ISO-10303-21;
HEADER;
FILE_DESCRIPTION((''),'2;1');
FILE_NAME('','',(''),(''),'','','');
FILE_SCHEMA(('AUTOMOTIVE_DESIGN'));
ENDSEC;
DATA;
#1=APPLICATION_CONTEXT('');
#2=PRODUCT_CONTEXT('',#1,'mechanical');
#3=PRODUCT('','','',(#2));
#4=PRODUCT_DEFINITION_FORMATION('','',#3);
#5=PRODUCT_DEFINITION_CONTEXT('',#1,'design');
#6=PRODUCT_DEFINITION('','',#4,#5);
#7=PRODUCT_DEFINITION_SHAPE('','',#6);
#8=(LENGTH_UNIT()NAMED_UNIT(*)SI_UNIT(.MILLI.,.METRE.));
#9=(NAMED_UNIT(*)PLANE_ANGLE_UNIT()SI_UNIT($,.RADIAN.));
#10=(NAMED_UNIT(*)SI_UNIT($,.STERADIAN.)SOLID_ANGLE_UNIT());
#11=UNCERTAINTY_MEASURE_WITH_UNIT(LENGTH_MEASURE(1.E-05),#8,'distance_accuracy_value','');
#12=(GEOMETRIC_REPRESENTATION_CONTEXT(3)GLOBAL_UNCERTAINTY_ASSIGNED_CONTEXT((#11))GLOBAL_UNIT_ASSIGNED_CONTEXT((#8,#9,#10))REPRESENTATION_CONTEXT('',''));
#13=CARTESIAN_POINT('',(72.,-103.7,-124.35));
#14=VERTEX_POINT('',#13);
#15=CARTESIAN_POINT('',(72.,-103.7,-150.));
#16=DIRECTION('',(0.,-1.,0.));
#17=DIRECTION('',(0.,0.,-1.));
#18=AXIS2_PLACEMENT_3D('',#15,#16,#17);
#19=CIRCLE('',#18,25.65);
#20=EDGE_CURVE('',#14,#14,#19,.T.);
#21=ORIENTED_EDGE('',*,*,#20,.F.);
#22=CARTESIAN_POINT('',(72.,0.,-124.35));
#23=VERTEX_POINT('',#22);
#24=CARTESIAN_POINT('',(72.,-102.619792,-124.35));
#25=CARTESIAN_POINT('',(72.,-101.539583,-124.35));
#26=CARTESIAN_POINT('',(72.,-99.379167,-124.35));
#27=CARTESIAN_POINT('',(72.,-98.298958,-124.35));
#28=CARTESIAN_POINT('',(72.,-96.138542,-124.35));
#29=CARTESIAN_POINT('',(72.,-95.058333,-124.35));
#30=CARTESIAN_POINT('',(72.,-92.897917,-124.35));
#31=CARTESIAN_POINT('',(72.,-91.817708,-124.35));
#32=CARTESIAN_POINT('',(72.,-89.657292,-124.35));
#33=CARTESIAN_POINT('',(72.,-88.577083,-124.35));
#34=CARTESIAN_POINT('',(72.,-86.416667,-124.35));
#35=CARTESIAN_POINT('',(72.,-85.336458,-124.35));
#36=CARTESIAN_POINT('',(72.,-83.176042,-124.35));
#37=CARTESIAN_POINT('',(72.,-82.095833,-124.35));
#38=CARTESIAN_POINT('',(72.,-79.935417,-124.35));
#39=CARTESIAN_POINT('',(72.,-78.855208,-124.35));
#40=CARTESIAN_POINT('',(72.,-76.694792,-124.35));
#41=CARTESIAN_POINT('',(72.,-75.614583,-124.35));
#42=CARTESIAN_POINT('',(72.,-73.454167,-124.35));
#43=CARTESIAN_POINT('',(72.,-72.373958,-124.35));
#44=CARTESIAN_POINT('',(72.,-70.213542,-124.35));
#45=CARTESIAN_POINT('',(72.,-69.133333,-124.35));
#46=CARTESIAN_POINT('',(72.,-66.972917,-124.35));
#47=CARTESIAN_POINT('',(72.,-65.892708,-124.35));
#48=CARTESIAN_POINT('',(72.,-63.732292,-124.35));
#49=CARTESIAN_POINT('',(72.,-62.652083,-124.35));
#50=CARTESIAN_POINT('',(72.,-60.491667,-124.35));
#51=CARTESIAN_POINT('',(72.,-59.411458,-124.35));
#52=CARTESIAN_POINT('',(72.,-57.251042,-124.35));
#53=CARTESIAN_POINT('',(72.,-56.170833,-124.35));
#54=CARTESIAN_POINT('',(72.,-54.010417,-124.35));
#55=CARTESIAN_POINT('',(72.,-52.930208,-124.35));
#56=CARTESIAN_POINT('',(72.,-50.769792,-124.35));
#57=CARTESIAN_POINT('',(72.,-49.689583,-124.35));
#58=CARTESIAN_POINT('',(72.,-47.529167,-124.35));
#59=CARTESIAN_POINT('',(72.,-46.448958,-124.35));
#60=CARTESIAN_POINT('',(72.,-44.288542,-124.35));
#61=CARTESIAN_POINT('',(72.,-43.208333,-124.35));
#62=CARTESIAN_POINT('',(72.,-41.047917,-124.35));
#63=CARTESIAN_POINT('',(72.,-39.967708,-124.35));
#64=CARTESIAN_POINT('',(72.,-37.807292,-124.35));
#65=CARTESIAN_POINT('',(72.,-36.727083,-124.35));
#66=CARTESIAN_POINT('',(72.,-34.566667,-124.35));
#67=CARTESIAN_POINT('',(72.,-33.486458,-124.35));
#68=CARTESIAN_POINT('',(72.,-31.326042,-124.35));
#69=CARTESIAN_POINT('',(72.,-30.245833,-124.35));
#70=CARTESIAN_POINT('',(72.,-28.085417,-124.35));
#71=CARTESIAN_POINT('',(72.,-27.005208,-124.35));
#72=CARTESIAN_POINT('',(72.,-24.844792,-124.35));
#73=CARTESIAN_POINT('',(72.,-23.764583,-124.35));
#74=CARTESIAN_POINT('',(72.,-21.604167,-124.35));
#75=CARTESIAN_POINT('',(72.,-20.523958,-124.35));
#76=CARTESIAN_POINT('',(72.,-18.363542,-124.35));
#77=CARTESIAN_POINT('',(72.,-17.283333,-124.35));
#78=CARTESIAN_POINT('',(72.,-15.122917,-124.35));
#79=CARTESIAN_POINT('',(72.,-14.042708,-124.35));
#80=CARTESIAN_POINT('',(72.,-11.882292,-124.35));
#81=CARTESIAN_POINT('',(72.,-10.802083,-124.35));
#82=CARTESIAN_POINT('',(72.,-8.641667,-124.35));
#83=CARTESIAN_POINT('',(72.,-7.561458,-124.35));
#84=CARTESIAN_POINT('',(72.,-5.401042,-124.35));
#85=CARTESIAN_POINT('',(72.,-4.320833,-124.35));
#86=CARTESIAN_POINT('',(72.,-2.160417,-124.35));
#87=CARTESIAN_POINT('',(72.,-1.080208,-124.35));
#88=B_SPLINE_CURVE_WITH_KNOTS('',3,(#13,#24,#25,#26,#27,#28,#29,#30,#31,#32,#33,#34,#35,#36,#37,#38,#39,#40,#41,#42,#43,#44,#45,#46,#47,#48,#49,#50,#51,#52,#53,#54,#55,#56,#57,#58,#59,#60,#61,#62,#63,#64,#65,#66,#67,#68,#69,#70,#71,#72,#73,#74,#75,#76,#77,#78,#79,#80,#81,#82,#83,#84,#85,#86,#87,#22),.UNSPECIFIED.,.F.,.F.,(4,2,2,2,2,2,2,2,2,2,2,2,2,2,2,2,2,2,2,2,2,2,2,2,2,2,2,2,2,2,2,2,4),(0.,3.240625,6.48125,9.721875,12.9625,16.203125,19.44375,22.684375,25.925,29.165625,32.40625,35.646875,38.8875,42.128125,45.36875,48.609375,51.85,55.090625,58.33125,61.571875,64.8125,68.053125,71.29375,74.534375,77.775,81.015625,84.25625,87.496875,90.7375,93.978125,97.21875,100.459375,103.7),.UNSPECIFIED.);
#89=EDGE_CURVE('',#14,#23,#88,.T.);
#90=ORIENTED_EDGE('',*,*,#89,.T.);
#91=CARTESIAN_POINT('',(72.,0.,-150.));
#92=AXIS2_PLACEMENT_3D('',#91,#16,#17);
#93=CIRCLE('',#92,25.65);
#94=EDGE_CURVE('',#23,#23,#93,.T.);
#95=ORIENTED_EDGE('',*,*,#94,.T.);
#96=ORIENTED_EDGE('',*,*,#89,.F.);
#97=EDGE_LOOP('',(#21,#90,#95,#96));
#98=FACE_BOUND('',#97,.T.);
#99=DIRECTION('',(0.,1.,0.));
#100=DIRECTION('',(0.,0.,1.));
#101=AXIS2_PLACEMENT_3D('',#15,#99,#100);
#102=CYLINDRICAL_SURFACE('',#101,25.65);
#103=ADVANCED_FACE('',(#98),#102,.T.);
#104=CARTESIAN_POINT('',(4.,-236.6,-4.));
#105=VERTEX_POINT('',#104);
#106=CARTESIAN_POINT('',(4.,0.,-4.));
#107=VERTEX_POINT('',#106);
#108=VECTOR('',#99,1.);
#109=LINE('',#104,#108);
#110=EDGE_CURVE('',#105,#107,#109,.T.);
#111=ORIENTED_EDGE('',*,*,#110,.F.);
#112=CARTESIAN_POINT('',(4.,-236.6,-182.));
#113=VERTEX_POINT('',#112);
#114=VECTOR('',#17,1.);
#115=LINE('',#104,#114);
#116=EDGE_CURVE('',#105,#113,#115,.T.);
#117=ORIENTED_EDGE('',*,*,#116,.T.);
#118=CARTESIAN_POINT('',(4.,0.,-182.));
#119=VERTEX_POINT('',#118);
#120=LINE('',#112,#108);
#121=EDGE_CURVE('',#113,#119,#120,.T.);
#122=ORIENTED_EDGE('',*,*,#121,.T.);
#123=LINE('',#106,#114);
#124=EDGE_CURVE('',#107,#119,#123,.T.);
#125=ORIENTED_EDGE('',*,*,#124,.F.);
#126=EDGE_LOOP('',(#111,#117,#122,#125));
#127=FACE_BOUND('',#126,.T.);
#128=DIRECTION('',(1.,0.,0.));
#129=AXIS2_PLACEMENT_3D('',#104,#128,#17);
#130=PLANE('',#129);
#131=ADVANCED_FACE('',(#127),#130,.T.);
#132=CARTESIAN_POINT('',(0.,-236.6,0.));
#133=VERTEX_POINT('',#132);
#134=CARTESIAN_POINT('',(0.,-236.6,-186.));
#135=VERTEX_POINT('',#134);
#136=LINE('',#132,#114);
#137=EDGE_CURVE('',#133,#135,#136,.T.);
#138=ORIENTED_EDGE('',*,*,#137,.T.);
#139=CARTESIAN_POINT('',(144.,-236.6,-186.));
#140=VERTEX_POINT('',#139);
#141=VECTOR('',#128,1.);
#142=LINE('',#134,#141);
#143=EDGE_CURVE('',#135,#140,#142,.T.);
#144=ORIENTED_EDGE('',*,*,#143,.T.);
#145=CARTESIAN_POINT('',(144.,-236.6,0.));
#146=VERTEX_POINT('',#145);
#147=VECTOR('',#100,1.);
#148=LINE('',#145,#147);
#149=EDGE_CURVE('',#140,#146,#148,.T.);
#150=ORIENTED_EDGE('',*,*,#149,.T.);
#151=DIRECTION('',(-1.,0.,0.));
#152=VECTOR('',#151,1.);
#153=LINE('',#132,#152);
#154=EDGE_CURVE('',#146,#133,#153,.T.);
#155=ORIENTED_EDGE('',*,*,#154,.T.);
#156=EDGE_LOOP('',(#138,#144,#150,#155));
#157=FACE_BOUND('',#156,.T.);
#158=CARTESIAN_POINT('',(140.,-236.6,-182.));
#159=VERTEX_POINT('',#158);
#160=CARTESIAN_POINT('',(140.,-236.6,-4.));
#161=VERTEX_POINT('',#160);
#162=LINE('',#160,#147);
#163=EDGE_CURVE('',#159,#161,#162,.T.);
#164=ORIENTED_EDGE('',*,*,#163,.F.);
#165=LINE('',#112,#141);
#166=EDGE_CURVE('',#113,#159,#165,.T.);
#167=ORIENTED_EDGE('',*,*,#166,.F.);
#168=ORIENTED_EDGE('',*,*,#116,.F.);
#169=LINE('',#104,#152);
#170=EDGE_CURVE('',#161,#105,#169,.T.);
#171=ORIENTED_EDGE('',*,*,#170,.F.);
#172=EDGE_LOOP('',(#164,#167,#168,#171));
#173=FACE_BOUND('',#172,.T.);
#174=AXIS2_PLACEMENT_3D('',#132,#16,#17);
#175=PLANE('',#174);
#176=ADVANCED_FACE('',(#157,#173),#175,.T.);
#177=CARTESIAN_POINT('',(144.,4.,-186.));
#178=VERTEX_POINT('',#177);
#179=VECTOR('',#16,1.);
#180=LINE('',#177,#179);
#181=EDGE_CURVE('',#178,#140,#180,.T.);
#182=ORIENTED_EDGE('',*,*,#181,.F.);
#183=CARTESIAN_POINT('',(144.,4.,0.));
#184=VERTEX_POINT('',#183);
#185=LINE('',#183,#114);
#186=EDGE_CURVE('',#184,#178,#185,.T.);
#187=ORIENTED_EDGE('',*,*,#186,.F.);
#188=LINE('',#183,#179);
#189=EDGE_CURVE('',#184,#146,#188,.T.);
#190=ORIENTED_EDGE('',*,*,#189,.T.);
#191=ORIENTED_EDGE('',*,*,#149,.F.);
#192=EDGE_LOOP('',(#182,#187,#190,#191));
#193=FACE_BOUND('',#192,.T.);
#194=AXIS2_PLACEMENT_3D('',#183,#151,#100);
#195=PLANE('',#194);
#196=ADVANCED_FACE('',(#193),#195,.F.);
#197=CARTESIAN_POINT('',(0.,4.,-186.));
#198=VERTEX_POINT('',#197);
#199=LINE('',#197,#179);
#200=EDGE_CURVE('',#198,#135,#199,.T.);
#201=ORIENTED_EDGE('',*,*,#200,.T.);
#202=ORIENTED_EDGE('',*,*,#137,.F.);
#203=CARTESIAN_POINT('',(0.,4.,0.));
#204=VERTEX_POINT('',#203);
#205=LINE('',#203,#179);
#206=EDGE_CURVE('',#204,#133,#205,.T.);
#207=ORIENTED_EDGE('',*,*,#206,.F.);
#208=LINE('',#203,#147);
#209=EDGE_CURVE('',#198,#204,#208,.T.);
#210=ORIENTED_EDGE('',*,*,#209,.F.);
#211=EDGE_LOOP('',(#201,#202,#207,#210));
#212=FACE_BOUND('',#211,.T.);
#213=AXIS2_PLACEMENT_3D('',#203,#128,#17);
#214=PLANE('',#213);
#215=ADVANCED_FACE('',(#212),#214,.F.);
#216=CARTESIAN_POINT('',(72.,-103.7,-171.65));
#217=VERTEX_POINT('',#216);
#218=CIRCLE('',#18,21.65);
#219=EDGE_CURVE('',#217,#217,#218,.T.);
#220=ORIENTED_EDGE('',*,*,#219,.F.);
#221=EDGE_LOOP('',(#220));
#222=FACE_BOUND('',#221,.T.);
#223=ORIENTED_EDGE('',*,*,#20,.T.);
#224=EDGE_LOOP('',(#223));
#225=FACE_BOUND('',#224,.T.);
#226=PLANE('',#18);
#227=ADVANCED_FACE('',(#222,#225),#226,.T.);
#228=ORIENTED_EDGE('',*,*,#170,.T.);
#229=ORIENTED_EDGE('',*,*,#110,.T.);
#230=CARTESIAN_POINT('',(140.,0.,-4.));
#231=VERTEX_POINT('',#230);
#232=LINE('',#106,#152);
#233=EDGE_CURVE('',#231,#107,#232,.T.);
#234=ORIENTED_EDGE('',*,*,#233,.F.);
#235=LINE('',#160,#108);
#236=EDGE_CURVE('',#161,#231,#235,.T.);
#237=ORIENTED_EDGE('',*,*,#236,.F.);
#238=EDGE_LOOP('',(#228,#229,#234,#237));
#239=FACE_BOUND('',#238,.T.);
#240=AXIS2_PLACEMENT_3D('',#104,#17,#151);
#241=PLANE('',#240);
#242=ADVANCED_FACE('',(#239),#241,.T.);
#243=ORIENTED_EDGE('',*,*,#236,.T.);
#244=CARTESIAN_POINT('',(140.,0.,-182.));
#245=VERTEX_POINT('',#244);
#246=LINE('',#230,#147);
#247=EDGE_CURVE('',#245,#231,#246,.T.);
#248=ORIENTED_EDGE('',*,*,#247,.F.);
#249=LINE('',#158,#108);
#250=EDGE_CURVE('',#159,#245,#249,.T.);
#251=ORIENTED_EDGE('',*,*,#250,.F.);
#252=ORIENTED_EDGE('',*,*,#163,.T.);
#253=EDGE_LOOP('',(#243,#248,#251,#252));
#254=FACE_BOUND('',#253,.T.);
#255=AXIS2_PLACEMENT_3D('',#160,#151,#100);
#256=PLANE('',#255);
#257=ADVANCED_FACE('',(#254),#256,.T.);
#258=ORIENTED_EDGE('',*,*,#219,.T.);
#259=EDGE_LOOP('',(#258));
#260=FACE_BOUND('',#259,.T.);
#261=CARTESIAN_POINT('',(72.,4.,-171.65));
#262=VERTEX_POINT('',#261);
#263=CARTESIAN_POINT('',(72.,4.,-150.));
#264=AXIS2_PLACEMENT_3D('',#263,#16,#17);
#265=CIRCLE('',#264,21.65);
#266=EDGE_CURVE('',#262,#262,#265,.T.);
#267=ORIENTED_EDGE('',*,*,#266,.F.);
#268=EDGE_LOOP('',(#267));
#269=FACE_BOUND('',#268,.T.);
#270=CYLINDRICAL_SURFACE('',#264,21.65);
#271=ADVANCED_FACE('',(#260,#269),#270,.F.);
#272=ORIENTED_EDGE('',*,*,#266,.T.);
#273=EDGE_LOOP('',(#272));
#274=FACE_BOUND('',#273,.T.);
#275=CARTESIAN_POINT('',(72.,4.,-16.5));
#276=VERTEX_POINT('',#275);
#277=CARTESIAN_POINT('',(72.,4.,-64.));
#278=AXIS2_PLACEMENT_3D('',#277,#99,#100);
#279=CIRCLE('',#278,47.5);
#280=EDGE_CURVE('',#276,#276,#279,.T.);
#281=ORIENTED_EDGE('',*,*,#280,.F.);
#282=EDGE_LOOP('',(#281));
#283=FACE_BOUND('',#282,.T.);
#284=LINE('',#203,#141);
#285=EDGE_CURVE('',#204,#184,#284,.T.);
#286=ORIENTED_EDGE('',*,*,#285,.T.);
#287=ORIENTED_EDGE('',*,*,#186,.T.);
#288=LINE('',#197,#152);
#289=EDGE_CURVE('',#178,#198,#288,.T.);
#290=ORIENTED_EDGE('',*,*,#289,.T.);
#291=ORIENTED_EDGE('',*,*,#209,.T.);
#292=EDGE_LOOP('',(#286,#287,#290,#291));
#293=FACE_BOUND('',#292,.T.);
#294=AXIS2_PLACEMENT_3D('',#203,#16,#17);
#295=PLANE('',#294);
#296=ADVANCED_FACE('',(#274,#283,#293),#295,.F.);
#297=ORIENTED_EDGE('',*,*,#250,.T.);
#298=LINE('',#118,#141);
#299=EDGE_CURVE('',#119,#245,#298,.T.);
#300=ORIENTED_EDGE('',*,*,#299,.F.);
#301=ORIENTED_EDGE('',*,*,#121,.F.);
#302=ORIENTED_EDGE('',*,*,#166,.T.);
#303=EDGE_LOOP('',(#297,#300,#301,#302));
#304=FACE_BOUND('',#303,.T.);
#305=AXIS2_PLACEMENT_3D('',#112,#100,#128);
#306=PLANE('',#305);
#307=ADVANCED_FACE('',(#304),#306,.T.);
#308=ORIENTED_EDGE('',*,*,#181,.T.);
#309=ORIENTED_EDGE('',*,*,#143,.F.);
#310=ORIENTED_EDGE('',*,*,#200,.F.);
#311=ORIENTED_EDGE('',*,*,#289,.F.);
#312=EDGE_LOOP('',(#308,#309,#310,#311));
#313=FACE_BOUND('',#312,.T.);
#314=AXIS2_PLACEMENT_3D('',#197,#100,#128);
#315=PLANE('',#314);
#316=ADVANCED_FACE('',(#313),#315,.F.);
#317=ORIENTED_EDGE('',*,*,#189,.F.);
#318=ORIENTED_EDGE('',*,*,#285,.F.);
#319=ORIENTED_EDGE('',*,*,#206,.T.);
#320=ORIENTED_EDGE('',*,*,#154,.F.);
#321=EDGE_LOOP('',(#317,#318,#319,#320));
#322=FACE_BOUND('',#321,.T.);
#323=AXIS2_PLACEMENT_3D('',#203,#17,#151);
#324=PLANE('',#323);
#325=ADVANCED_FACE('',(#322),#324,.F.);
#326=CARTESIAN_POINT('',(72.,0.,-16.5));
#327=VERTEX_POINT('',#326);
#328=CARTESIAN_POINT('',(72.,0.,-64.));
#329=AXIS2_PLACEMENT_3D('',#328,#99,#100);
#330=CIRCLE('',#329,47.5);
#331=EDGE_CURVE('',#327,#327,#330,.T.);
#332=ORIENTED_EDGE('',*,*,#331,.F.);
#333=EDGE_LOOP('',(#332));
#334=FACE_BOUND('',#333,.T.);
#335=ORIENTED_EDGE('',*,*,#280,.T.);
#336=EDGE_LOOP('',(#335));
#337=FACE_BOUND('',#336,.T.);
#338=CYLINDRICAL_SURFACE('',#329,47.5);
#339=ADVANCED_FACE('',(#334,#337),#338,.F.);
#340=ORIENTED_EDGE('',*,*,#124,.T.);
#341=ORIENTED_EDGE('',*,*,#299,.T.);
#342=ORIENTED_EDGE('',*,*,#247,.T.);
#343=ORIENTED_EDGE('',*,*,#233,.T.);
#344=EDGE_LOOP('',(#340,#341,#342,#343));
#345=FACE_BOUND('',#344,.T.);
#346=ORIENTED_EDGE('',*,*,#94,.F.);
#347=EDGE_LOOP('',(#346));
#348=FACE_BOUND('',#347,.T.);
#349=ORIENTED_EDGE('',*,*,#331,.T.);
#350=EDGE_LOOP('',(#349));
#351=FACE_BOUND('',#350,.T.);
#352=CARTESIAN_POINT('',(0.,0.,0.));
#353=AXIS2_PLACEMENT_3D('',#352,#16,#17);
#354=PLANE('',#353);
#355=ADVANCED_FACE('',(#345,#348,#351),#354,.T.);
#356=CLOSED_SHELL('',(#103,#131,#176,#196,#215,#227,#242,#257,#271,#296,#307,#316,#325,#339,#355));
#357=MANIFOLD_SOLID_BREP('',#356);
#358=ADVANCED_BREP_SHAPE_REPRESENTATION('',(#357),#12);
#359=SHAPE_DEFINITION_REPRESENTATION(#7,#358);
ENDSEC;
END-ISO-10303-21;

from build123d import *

# Parameters (mm, degrees)
SKETCH2_W           = 144
SKETCH2_H           = 186
BOSS_EXTRUDE1_DEPTH = 4
SKETCH3_W           = 144
SKETCH3_H           = 186
SKETCH3_W_2         = 136
SKETCH3_H_2         = 178
BOSS_EXTRUDE2_DEPTH = 236.6
SKETCH4_R           = 47.5
CUT_EXTRUDE1_DEPTH  = 4
SKETCH5_R           = 21.65
CUT_EXTRUDE2_DEPTH  = 4
BOSS_EXTRUDE3_START = 103.7
SKETCH6_R           = 25.65
SKETCH6_R_2         = 21.65
BOSS_EXTRUDE3_DEPTH = 103.7


with BuildPart() as part:
    # Sketch2 → Boss-Extrude1 (new body)
    with BuildSketch(Plane(origin=(0, 0, 0), x_dir=(1, 0, 0), z_dir=(0, 1, 0))):
        with Locations((72, 93)):
            Rectangle(SKETCH2_W, SKETCH2_H)
    extrude(amount=BOSS_EXTRUDE1_DEPTH)

    # Sketch3 → Boss-Extrude2 (add)
    with BuildSketch(Plane(origin=(0, 0, 0), x_dir=(-1, 0, 0), z_dir=(0, -1, 0))):
        with Locations((-72, 93)):
            Rectangle(SKETCH3_W, SKETCH3_H)
        with Locations((-72, 93)):
            Rectangle(SKETCH3_W_2, SKETCH3_H_2, mode=Mode.SUBTRACT)
    extrude(amount=BOSS_EXTRUDE2_DEPTH)

    # Sketch4 → Cut-Extrude1 (cut)
    with BuildSketch(Plane(origin=(0, 4, 0), x_dir=(1, 0, 0), z_dir=(0, 1, 0))):
        with Locations(Location((72, 64, 0), (0, 0, 270))):
            Circle(SKETCH4_R)
    extrude(amount=-CUT_EXTRUDE1_DEPTH, mode=Mode.SUBTRACT)

    # Sketch5 → Cut-Extrude2 (cut)
    with BuildSketch(Plane(origin=(0, 0, 0), x_dir=(-1, 0, 0), z_dir=(0, -1, 0))):
        with Locations(Location((-72, 150, 0), (0, 0, 90))):
            Circle(SKETCH5_R)
    extrude(amount=-CUT_EXTRUDE2_DEPTH, mode=Mode.SUBTRACT)

    # Sketch6 → Boss-Extrude3 (add)
    with BuildSketch(Plane(origin=(0, 0, 0), x_dir=(-1, 0, 0), z_dir=(0, -1, 0)).offset(BOSS_EXTRUDE3_START)):
        with Locations(Location((-72, 150, 0), (0, 0, 270))):
            Circle(SKETCH6_R)
        with Locations(Location((-72, 150, 0), (0, 0, 90))):
            Circle(SKETCH6_R_2, mode=Mode.SUBTRACT)
    extrude(amount=-BOSS_EXTRUDE3_DEPTH)


solid = part.part
